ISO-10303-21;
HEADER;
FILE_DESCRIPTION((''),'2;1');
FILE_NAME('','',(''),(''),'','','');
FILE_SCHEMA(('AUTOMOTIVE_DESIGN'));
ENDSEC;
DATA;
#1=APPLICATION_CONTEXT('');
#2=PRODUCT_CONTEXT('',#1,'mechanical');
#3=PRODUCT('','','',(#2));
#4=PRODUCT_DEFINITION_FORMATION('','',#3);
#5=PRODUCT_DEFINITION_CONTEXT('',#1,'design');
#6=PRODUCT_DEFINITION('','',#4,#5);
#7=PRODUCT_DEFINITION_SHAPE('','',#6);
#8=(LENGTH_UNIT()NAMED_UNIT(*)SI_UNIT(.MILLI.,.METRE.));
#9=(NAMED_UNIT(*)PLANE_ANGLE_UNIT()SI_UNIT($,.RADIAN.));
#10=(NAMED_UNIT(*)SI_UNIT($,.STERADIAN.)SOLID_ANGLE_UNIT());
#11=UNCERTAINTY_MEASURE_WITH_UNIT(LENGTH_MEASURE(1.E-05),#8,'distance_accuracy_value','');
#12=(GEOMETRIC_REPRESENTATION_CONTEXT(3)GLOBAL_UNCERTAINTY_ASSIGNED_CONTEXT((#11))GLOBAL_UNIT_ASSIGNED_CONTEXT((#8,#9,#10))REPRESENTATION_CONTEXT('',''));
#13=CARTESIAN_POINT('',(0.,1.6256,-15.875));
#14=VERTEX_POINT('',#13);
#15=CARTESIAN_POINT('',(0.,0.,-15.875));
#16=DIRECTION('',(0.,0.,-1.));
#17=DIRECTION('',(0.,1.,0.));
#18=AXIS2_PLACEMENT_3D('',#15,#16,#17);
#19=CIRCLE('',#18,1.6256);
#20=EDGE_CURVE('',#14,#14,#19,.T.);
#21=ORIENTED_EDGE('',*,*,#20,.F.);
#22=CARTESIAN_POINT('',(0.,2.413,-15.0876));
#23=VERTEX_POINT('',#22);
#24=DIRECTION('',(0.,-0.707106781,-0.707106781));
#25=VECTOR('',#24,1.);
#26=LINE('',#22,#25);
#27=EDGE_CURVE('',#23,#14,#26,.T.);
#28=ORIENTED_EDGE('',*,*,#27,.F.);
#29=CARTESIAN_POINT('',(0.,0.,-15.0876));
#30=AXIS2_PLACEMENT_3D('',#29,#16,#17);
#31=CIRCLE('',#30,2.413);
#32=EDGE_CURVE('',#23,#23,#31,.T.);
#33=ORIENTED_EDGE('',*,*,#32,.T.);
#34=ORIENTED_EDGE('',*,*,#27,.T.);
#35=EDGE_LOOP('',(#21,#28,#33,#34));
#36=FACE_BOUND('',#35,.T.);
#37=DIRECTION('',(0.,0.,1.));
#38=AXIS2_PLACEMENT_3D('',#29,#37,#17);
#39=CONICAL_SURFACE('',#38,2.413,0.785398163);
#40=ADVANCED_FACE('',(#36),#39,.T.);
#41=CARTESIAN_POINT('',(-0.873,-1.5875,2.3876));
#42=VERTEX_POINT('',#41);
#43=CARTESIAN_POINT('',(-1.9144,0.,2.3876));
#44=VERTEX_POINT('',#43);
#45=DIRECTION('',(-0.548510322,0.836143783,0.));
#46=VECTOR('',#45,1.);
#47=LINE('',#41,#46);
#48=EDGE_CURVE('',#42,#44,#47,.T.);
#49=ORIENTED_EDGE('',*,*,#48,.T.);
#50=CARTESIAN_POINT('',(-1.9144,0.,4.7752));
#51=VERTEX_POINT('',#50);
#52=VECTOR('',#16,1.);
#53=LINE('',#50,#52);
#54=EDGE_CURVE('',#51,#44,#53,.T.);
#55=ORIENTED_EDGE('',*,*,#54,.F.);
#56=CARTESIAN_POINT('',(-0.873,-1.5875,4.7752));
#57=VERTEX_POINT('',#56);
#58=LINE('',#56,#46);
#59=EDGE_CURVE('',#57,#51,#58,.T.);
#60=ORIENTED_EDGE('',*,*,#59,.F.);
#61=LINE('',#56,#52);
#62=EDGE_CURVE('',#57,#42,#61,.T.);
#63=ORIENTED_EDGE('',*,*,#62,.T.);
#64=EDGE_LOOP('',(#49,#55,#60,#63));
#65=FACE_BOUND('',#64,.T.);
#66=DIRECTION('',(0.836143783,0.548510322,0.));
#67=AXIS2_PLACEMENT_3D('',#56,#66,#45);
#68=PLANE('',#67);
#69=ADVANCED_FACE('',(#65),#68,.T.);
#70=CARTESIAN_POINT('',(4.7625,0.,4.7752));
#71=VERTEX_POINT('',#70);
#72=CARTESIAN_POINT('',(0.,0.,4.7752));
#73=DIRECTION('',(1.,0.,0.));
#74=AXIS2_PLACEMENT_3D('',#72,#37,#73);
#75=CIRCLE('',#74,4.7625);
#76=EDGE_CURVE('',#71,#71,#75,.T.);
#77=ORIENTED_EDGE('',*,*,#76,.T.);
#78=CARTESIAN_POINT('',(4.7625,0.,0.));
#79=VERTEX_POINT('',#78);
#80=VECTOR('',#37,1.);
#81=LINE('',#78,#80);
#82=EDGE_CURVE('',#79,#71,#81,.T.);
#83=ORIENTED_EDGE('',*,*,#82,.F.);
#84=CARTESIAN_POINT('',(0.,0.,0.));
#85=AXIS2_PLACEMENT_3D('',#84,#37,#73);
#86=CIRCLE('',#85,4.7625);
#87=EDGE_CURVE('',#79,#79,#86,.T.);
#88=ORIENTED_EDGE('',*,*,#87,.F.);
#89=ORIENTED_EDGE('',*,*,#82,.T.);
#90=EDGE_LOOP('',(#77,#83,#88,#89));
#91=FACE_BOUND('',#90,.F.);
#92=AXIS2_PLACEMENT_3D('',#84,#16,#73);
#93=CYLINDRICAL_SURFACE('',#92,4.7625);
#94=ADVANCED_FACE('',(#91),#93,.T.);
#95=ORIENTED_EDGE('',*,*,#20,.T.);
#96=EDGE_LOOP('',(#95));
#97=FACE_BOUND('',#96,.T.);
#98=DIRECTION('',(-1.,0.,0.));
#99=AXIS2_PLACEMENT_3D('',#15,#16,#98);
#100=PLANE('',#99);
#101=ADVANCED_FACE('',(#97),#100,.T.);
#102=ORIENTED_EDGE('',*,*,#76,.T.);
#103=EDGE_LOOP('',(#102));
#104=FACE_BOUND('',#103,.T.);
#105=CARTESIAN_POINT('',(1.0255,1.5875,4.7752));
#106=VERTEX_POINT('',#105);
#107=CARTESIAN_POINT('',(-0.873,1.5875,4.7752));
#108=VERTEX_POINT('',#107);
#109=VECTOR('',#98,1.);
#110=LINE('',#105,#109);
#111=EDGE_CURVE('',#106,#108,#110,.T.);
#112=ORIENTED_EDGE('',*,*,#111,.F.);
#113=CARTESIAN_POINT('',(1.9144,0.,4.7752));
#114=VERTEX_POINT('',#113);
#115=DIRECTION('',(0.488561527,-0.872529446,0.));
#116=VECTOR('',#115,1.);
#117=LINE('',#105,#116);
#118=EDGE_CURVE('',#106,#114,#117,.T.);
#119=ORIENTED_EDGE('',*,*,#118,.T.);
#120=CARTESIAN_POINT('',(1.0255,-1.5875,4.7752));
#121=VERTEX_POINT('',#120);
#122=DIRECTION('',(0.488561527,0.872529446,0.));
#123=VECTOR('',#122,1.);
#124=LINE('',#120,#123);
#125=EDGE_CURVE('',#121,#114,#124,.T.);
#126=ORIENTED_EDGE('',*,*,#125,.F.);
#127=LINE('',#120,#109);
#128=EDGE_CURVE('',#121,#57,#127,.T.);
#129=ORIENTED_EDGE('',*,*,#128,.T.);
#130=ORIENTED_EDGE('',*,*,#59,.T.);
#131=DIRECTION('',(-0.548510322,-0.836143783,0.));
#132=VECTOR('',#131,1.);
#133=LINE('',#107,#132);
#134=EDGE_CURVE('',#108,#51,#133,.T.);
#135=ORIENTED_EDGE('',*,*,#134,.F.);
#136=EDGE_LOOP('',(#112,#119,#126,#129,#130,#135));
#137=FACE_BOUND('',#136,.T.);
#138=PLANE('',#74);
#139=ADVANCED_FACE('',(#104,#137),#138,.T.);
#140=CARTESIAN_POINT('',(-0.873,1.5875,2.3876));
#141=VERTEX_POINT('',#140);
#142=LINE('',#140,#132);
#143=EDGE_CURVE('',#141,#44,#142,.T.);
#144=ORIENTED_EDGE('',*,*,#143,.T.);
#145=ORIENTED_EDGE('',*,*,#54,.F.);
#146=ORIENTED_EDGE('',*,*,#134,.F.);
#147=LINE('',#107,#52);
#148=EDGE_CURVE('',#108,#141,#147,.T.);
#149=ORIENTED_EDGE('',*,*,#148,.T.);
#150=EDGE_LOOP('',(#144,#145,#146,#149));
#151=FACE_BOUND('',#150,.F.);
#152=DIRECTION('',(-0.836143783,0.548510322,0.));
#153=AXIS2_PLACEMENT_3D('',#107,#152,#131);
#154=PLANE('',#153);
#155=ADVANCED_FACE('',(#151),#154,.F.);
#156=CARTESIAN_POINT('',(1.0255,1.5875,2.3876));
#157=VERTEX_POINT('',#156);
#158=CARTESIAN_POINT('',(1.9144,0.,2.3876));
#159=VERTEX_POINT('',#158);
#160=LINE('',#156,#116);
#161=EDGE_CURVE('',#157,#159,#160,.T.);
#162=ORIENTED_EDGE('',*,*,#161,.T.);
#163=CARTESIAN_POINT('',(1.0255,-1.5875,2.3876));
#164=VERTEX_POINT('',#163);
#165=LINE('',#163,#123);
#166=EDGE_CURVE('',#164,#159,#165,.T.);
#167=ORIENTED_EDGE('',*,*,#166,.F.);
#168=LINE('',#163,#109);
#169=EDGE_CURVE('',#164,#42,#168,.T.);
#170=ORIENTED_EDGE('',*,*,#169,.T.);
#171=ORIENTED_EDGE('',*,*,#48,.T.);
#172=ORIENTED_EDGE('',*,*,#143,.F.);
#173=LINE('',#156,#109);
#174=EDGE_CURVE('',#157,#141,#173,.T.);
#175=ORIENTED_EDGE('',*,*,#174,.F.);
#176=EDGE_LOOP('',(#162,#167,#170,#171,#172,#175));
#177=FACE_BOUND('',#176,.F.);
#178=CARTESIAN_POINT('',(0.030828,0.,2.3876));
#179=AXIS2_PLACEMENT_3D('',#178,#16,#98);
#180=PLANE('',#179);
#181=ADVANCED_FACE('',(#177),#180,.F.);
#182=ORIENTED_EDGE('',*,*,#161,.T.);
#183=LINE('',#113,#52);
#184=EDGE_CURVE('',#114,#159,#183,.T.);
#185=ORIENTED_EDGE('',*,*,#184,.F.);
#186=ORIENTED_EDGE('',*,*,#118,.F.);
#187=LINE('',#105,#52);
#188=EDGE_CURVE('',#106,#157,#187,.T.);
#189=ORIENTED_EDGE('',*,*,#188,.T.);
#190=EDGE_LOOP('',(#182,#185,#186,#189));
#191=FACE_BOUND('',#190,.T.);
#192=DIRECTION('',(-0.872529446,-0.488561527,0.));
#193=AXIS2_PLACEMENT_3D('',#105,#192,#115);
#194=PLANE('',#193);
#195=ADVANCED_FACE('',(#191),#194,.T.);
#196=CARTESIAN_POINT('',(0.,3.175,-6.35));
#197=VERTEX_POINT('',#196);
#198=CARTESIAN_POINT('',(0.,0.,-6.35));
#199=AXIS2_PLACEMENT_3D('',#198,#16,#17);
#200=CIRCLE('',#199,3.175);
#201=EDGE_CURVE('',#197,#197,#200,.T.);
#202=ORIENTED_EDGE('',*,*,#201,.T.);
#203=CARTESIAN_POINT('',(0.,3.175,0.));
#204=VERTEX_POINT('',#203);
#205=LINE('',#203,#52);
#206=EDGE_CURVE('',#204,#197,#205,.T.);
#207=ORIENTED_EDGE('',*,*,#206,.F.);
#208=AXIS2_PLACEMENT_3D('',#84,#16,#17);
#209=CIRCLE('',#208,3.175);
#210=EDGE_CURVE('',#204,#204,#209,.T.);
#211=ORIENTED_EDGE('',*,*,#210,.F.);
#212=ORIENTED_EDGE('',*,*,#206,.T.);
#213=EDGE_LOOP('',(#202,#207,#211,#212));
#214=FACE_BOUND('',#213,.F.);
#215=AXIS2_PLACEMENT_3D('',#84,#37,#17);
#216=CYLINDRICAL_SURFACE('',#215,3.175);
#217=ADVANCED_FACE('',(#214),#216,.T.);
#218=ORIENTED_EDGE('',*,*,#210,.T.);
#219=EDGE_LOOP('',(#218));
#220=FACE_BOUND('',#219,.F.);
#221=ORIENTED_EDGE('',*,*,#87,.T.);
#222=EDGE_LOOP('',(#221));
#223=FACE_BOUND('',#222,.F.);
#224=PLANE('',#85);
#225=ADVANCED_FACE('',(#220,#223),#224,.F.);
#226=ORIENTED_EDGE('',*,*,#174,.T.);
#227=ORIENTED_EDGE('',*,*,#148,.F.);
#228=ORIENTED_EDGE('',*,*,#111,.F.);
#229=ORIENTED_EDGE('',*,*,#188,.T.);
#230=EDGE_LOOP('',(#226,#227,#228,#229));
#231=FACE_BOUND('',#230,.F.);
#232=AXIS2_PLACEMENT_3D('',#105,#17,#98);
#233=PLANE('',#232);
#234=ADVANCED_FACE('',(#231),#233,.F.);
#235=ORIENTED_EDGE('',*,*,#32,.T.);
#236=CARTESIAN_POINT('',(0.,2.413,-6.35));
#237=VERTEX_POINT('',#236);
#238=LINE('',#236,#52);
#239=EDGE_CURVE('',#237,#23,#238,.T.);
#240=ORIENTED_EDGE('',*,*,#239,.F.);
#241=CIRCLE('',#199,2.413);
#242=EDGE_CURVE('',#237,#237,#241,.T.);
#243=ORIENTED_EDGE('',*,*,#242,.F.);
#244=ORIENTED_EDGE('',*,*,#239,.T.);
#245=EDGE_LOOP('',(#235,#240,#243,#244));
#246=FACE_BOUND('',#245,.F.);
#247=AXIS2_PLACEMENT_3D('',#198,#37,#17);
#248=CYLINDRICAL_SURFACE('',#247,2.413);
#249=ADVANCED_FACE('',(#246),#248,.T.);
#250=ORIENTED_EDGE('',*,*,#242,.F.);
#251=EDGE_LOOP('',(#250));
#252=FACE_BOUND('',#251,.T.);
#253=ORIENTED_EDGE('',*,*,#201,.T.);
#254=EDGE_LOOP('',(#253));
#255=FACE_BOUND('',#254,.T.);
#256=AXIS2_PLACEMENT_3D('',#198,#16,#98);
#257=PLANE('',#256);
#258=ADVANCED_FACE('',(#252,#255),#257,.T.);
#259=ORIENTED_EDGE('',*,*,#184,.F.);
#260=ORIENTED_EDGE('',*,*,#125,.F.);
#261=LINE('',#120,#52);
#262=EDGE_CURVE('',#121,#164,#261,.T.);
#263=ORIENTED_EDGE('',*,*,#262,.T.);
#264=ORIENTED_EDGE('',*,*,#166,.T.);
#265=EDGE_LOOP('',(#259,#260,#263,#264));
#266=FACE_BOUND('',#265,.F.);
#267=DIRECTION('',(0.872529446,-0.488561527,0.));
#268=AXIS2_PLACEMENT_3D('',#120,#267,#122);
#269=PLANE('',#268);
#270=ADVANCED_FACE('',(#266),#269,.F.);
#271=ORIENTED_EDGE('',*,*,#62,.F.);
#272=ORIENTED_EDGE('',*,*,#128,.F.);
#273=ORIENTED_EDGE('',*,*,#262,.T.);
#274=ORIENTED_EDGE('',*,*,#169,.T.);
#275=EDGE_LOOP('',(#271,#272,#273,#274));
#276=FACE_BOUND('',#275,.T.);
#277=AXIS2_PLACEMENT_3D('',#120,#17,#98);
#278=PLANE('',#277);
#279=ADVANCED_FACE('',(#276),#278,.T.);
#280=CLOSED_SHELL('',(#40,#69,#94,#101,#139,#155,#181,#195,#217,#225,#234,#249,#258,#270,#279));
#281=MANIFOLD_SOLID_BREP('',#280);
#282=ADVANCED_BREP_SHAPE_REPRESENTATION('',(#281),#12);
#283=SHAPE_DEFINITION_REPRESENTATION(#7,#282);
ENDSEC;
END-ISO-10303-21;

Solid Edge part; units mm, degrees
sketch "Sketch1" plane through (0, 0, 0) normal (0, 0, 1) x (1, 0, 0)
  circle A0 centre (0, 0) radius 4.7625
  dimension "D1" = 9.525
extrude "Protrusion1" add sketch "Sketch1" along normal blind 4.7752
sketch "Sketch2" plane through (0, 0, 0) normal (0, 0, -1) x (0, 1, 0)
  circle A0 centre (0, 0) radius 3.175
  dimension "D1" = 6.35
extrude "Protrusion2" add sketch "Sketch2" along normal blind 6.35
sketch "Sketch3" plane through (0, 0, -6.35) normal (0, 0, -1) x (0, 1, 0)
  circle A0 centre (0, 0) radius 2.413
  dimension "D1" = 4.826
extrude "Protrusion3" add sketch "Sketch3" along normal blind 9.525
sketch "Sketch4" plane through (0, 0, 4.7752) normal (0, 0, 1) x (0, 1, 0)
  line L0 (-1.5875, 0.873) -> (0, 1.9144)
  line L1 (-1.5875, -1.0255) -> (-1.5875, 0.873)
  line L2 (-1.5875, -1.0255) -> (0, -1.9144)
  line L3 (1.5875, -1.0255) -> (0, -1.9144)
  line L4 (1.5875, -1.0255) -> (1.5875, 0.873)
  line L5 (1.5875, 0.873) -> (0, 1.9144)
  dimension "D1" = 3.175
extrude "Cutout1" cut sketch "Sketch4" against normal blind 2.3876
chamfer "Chamfer1" distance 0.7874 angle 45 1 edges at (0, -2.413, -15.875)
properties part number "24102463"
